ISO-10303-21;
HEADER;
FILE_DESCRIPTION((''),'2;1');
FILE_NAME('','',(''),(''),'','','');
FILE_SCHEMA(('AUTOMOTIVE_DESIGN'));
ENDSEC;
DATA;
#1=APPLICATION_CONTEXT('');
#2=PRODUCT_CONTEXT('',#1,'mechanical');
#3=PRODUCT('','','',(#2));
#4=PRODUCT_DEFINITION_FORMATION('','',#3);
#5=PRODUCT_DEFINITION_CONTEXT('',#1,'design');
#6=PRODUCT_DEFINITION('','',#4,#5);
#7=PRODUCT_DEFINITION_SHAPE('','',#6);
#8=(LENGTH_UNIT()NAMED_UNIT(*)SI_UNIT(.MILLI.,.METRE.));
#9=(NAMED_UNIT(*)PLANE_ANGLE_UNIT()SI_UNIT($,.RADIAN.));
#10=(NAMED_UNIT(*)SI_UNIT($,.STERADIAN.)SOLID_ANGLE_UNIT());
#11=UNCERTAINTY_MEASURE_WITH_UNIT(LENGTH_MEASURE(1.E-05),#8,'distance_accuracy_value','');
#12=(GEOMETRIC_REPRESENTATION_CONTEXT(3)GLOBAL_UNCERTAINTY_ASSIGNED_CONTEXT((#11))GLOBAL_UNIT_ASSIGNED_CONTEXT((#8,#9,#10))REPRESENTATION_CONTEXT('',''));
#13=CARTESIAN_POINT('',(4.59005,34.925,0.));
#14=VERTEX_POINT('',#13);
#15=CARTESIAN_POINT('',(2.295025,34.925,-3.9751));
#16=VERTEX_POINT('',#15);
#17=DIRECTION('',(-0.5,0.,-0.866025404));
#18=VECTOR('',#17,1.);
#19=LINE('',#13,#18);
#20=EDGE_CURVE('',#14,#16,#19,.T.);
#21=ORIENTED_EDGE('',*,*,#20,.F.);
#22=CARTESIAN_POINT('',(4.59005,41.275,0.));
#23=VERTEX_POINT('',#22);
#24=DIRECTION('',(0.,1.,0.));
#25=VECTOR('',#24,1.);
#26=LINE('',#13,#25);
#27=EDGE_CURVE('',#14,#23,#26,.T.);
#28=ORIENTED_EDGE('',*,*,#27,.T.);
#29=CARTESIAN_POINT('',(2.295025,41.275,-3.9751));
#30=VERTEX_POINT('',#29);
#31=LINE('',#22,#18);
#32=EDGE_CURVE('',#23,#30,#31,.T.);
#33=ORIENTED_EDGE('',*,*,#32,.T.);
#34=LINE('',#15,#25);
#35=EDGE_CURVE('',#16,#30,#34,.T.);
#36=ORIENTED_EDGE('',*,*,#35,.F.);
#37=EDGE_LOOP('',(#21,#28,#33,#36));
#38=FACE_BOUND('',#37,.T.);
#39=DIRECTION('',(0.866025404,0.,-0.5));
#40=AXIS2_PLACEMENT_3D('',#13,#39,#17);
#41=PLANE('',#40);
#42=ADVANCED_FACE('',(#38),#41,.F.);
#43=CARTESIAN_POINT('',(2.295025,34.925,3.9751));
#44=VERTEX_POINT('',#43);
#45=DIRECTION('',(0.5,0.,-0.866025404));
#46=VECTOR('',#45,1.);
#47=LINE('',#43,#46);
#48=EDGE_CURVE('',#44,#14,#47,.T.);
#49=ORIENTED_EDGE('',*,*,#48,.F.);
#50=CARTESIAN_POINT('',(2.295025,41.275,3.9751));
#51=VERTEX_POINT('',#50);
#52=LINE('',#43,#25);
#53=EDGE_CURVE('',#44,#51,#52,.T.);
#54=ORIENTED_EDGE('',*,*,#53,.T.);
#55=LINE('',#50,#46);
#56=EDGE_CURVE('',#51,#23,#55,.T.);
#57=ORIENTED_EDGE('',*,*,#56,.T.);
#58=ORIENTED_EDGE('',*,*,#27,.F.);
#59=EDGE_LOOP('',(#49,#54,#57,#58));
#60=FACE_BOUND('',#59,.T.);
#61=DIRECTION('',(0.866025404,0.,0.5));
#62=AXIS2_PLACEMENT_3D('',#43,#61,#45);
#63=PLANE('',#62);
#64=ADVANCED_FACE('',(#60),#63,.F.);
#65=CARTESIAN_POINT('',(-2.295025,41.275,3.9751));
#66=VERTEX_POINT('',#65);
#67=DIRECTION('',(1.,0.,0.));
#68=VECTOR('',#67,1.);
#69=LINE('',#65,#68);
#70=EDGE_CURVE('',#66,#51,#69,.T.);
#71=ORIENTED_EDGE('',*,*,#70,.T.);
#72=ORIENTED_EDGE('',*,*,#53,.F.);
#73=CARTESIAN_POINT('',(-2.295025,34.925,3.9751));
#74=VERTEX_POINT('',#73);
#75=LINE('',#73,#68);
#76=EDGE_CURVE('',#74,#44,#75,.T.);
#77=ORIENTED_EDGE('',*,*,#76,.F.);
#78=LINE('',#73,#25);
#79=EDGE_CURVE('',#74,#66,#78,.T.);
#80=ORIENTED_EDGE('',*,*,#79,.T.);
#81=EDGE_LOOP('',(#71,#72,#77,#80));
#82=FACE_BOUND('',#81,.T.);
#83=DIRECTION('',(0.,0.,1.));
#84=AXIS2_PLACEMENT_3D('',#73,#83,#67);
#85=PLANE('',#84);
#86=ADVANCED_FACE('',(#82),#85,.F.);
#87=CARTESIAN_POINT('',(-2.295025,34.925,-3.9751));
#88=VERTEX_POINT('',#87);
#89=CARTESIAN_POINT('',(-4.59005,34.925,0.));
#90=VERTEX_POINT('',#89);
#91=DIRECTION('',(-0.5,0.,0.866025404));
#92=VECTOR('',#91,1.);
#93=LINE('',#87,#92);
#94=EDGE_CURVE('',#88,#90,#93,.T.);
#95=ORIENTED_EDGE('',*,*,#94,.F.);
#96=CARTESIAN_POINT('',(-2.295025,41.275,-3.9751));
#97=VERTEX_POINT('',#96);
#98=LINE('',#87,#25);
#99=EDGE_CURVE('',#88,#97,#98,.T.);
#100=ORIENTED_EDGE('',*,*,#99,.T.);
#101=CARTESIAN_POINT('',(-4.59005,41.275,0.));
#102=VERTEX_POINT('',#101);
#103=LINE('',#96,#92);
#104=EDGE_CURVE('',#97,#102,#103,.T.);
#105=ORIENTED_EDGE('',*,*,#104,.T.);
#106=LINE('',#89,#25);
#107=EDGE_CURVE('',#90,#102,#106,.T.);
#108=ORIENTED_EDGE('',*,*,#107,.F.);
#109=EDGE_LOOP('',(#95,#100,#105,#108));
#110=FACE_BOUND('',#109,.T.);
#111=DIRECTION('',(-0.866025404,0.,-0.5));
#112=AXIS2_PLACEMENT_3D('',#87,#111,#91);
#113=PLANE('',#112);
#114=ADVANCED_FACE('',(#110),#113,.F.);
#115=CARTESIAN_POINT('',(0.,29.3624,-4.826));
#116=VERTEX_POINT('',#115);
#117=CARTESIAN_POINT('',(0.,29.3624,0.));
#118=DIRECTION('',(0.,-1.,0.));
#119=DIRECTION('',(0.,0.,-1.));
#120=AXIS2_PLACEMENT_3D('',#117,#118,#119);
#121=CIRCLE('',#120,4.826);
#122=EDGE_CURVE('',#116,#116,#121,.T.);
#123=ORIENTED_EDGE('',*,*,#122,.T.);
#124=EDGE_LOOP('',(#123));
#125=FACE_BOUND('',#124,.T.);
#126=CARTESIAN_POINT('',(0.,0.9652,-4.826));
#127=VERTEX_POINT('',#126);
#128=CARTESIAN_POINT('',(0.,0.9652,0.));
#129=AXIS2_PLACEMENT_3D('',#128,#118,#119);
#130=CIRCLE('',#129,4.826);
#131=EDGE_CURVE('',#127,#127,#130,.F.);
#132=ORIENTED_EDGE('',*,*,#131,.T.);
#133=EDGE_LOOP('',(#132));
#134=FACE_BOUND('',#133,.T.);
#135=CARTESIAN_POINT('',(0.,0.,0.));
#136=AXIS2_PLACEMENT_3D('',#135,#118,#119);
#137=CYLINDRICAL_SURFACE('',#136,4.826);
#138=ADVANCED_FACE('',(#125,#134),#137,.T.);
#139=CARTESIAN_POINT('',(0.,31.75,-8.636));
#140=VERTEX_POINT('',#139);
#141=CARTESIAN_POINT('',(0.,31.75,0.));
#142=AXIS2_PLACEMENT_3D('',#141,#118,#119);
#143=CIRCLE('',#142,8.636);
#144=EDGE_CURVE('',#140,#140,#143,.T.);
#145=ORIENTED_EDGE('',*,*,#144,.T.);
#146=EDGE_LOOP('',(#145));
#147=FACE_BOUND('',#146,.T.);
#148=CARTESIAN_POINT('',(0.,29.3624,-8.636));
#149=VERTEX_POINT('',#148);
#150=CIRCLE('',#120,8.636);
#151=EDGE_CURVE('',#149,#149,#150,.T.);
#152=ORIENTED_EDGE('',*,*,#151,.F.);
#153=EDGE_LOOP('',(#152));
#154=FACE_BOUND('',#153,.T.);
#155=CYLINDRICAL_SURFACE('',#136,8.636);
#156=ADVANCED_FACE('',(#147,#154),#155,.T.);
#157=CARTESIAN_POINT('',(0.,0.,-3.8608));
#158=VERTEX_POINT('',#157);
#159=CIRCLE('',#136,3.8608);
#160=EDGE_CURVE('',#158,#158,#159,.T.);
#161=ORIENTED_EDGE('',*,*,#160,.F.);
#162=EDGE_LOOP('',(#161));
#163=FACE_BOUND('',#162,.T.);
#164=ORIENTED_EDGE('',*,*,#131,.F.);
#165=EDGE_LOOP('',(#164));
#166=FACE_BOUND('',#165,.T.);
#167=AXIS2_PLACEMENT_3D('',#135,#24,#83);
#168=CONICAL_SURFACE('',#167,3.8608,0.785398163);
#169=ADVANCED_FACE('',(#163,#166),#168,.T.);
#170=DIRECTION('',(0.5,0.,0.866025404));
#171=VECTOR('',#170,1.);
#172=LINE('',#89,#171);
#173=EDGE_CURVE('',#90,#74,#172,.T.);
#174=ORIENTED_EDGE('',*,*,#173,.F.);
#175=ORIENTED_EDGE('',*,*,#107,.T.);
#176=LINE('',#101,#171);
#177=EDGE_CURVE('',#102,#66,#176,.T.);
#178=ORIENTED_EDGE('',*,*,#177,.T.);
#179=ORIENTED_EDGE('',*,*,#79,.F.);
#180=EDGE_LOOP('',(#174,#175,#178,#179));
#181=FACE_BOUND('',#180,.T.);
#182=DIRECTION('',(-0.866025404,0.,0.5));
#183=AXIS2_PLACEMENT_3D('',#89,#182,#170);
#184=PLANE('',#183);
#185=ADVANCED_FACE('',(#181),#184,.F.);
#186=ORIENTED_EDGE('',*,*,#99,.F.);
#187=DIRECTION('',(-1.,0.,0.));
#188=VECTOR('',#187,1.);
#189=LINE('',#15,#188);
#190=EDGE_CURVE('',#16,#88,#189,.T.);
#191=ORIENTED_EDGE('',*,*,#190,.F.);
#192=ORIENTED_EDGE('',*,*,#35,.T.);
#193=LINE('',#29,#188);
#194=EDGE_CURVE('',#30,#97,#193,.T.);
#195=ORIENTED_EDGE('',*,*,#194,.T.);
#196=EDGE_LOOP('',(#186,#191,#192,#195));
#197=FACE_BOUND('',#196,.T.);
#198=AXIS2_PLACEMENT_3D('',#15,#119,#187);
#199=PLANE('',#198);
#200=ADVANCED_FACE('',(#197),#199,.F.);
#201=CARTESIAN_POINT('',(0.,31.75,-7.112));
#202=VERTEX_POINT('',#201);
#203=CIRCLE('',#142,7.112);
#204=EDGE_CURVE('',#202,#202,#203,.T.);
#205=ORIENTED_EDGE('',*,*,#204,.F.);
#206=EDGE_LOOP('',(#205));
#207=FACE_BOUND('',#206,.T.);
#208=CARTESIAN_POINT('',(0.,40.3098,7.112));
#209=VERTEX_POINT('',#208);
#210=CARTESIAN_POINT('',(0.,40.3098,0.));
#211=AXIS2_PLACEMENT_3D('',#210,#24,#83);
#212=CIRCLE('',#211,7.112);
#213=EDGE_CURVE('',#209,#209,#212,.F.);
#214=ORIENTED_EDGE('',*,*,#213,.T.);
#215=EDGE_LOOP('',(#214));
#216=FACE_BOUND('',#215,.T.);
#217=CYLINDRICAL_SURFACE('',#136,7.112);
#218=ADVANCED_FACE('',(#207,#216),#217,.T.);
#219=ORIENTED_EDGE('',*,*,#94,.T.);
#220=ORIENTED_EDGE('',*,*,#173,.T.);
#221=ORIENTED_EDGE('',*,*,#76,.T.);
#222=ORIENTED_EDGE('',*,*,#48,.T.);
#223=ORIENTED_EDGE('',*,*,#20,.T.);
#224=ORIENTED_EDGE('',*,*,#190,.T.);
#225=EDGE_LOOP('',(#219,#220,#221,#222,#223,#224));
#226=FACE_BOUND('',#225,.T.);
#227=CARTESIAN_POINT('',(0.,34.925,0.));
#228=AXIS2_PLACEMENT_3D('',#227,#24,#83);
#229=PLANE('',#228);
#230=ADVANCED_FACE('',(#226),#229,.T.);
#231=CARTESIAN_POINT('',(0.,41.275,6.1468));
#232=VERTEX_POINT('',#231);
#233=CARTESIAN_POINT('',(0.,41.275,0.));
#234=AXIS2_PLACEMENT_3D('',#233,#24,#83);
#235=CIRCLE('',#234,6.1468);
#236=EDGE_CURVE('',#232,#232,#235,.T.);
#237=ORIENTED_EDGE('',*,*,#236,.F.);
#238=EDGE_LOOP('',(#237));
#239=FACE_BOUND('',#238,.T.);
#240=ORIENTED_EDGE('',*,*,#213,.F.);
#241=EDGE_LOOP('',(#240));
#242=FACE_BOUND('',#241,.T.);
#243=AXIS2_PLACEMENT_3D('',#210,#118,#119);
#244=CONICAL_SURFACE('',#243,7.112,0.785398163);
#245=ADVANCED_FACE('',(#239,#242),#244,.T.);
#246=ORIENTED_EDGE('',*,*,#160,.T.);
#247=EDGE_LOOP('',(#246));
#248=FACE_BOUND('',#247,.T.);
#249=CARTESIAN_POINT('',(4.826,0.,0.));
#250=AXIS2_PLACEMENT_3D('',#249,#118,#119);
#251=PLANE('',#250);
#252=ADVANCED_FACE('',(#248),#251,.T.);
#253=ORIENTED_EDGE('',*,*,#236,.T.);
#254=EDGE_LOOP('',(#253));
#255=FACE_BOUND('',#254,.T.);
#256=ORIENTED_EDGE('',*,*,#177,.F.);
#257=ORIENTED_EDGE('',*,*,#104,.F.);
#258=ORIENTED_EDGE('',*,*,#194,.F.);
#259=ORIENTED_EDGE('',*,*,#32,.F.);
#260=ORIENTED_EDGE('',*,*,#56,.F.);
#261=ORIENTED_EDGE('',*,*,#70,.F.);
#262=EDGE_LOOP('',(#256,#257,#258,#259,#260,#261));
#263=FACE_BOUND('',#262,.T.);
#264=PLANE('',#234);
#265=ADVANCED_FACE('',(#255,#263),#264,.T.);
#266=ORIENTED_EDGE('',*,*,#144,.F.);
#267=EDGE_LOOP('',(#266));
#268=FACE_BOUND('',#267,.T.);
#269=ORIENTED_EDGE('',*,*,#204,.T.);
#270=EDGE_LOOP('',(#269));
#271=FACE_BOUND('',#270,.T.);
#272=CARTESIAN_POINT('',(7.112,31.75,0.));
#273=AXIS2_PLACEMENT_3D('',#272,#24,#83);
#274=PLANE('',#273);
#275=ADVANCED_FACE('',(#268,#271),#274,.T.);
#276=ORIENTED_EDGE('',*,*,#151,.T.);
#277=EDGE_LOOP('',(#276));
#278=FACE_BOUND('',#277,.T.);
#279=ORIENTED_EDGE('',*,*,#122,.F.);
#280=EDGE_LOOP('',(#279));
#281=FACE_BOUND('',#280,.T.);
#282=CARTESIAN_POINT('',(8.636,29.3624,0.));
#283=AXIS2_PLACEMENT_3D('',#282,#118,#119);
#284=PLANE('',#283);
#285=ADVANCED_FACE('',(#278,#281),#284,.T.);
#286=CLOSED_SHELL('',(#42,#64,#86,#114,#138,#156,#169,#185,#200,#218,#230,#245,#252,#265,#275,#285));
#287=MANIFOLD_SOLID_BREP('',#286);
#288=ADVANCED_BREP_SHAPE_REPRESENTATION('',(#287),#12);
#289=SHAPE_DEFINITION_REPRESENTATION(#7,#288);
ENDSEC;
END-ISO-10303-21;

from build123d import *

# Parameters (mm, degrees)
CORTAR_EXTRUIR1_DEPTH = 6.35
CHAFL_N1_SIZE         = 0.9652


with BuildPart() as part:
    # Croquis1 → Revolución1 (revolve)
    with BuildSketch(Plane.XY, mode=Mode.PRIVATE) as revoluci_n1_sk:
        Polygon((0, 41.275), (7.112, 41.275), (7.112, 31.75), (8.636, 31.75), (8.636, 29.3624), (4.826, 29.3624), (4.826, 0), (0, 0), align=None)
    revolve(revoluci_n1_sk.sketch.rotate(Axis((0, 0, 0), (0, 1, 0)), 90), axis=Axis((0, 0, 0), (0, 1, 0)))

    # Croquis2 → Cortar-Extruir1 (cut)
    with BuildSketch(Plane(origin=(0, 41.275, 0), x_dir=(1, 0, 0), z_dir=(0, 1, 0))):
        Polygon((-2.295025055, 3.9751), (-4.59005011, 0), (-2.295025055, -3.9751), (2.295025055, -3.9751), (4.59005011, 0), (2.295025055, 3.9751), align=None)
    extrude(amount=-CORTAR_EXTRUIR1_DEPTH, mode=Mode.SUBTRACT)

    # Chaflán1
    chafl_n1_edges = [part.edges().sort_by_distance(p)[0] for p in [
        (0, 0, 4.826),
        (0, 41.275, 7.112),
    ]]
    chamfer(chafl_n1_edges, length=CHAFL_N1_SIZE)


solid = part.part
